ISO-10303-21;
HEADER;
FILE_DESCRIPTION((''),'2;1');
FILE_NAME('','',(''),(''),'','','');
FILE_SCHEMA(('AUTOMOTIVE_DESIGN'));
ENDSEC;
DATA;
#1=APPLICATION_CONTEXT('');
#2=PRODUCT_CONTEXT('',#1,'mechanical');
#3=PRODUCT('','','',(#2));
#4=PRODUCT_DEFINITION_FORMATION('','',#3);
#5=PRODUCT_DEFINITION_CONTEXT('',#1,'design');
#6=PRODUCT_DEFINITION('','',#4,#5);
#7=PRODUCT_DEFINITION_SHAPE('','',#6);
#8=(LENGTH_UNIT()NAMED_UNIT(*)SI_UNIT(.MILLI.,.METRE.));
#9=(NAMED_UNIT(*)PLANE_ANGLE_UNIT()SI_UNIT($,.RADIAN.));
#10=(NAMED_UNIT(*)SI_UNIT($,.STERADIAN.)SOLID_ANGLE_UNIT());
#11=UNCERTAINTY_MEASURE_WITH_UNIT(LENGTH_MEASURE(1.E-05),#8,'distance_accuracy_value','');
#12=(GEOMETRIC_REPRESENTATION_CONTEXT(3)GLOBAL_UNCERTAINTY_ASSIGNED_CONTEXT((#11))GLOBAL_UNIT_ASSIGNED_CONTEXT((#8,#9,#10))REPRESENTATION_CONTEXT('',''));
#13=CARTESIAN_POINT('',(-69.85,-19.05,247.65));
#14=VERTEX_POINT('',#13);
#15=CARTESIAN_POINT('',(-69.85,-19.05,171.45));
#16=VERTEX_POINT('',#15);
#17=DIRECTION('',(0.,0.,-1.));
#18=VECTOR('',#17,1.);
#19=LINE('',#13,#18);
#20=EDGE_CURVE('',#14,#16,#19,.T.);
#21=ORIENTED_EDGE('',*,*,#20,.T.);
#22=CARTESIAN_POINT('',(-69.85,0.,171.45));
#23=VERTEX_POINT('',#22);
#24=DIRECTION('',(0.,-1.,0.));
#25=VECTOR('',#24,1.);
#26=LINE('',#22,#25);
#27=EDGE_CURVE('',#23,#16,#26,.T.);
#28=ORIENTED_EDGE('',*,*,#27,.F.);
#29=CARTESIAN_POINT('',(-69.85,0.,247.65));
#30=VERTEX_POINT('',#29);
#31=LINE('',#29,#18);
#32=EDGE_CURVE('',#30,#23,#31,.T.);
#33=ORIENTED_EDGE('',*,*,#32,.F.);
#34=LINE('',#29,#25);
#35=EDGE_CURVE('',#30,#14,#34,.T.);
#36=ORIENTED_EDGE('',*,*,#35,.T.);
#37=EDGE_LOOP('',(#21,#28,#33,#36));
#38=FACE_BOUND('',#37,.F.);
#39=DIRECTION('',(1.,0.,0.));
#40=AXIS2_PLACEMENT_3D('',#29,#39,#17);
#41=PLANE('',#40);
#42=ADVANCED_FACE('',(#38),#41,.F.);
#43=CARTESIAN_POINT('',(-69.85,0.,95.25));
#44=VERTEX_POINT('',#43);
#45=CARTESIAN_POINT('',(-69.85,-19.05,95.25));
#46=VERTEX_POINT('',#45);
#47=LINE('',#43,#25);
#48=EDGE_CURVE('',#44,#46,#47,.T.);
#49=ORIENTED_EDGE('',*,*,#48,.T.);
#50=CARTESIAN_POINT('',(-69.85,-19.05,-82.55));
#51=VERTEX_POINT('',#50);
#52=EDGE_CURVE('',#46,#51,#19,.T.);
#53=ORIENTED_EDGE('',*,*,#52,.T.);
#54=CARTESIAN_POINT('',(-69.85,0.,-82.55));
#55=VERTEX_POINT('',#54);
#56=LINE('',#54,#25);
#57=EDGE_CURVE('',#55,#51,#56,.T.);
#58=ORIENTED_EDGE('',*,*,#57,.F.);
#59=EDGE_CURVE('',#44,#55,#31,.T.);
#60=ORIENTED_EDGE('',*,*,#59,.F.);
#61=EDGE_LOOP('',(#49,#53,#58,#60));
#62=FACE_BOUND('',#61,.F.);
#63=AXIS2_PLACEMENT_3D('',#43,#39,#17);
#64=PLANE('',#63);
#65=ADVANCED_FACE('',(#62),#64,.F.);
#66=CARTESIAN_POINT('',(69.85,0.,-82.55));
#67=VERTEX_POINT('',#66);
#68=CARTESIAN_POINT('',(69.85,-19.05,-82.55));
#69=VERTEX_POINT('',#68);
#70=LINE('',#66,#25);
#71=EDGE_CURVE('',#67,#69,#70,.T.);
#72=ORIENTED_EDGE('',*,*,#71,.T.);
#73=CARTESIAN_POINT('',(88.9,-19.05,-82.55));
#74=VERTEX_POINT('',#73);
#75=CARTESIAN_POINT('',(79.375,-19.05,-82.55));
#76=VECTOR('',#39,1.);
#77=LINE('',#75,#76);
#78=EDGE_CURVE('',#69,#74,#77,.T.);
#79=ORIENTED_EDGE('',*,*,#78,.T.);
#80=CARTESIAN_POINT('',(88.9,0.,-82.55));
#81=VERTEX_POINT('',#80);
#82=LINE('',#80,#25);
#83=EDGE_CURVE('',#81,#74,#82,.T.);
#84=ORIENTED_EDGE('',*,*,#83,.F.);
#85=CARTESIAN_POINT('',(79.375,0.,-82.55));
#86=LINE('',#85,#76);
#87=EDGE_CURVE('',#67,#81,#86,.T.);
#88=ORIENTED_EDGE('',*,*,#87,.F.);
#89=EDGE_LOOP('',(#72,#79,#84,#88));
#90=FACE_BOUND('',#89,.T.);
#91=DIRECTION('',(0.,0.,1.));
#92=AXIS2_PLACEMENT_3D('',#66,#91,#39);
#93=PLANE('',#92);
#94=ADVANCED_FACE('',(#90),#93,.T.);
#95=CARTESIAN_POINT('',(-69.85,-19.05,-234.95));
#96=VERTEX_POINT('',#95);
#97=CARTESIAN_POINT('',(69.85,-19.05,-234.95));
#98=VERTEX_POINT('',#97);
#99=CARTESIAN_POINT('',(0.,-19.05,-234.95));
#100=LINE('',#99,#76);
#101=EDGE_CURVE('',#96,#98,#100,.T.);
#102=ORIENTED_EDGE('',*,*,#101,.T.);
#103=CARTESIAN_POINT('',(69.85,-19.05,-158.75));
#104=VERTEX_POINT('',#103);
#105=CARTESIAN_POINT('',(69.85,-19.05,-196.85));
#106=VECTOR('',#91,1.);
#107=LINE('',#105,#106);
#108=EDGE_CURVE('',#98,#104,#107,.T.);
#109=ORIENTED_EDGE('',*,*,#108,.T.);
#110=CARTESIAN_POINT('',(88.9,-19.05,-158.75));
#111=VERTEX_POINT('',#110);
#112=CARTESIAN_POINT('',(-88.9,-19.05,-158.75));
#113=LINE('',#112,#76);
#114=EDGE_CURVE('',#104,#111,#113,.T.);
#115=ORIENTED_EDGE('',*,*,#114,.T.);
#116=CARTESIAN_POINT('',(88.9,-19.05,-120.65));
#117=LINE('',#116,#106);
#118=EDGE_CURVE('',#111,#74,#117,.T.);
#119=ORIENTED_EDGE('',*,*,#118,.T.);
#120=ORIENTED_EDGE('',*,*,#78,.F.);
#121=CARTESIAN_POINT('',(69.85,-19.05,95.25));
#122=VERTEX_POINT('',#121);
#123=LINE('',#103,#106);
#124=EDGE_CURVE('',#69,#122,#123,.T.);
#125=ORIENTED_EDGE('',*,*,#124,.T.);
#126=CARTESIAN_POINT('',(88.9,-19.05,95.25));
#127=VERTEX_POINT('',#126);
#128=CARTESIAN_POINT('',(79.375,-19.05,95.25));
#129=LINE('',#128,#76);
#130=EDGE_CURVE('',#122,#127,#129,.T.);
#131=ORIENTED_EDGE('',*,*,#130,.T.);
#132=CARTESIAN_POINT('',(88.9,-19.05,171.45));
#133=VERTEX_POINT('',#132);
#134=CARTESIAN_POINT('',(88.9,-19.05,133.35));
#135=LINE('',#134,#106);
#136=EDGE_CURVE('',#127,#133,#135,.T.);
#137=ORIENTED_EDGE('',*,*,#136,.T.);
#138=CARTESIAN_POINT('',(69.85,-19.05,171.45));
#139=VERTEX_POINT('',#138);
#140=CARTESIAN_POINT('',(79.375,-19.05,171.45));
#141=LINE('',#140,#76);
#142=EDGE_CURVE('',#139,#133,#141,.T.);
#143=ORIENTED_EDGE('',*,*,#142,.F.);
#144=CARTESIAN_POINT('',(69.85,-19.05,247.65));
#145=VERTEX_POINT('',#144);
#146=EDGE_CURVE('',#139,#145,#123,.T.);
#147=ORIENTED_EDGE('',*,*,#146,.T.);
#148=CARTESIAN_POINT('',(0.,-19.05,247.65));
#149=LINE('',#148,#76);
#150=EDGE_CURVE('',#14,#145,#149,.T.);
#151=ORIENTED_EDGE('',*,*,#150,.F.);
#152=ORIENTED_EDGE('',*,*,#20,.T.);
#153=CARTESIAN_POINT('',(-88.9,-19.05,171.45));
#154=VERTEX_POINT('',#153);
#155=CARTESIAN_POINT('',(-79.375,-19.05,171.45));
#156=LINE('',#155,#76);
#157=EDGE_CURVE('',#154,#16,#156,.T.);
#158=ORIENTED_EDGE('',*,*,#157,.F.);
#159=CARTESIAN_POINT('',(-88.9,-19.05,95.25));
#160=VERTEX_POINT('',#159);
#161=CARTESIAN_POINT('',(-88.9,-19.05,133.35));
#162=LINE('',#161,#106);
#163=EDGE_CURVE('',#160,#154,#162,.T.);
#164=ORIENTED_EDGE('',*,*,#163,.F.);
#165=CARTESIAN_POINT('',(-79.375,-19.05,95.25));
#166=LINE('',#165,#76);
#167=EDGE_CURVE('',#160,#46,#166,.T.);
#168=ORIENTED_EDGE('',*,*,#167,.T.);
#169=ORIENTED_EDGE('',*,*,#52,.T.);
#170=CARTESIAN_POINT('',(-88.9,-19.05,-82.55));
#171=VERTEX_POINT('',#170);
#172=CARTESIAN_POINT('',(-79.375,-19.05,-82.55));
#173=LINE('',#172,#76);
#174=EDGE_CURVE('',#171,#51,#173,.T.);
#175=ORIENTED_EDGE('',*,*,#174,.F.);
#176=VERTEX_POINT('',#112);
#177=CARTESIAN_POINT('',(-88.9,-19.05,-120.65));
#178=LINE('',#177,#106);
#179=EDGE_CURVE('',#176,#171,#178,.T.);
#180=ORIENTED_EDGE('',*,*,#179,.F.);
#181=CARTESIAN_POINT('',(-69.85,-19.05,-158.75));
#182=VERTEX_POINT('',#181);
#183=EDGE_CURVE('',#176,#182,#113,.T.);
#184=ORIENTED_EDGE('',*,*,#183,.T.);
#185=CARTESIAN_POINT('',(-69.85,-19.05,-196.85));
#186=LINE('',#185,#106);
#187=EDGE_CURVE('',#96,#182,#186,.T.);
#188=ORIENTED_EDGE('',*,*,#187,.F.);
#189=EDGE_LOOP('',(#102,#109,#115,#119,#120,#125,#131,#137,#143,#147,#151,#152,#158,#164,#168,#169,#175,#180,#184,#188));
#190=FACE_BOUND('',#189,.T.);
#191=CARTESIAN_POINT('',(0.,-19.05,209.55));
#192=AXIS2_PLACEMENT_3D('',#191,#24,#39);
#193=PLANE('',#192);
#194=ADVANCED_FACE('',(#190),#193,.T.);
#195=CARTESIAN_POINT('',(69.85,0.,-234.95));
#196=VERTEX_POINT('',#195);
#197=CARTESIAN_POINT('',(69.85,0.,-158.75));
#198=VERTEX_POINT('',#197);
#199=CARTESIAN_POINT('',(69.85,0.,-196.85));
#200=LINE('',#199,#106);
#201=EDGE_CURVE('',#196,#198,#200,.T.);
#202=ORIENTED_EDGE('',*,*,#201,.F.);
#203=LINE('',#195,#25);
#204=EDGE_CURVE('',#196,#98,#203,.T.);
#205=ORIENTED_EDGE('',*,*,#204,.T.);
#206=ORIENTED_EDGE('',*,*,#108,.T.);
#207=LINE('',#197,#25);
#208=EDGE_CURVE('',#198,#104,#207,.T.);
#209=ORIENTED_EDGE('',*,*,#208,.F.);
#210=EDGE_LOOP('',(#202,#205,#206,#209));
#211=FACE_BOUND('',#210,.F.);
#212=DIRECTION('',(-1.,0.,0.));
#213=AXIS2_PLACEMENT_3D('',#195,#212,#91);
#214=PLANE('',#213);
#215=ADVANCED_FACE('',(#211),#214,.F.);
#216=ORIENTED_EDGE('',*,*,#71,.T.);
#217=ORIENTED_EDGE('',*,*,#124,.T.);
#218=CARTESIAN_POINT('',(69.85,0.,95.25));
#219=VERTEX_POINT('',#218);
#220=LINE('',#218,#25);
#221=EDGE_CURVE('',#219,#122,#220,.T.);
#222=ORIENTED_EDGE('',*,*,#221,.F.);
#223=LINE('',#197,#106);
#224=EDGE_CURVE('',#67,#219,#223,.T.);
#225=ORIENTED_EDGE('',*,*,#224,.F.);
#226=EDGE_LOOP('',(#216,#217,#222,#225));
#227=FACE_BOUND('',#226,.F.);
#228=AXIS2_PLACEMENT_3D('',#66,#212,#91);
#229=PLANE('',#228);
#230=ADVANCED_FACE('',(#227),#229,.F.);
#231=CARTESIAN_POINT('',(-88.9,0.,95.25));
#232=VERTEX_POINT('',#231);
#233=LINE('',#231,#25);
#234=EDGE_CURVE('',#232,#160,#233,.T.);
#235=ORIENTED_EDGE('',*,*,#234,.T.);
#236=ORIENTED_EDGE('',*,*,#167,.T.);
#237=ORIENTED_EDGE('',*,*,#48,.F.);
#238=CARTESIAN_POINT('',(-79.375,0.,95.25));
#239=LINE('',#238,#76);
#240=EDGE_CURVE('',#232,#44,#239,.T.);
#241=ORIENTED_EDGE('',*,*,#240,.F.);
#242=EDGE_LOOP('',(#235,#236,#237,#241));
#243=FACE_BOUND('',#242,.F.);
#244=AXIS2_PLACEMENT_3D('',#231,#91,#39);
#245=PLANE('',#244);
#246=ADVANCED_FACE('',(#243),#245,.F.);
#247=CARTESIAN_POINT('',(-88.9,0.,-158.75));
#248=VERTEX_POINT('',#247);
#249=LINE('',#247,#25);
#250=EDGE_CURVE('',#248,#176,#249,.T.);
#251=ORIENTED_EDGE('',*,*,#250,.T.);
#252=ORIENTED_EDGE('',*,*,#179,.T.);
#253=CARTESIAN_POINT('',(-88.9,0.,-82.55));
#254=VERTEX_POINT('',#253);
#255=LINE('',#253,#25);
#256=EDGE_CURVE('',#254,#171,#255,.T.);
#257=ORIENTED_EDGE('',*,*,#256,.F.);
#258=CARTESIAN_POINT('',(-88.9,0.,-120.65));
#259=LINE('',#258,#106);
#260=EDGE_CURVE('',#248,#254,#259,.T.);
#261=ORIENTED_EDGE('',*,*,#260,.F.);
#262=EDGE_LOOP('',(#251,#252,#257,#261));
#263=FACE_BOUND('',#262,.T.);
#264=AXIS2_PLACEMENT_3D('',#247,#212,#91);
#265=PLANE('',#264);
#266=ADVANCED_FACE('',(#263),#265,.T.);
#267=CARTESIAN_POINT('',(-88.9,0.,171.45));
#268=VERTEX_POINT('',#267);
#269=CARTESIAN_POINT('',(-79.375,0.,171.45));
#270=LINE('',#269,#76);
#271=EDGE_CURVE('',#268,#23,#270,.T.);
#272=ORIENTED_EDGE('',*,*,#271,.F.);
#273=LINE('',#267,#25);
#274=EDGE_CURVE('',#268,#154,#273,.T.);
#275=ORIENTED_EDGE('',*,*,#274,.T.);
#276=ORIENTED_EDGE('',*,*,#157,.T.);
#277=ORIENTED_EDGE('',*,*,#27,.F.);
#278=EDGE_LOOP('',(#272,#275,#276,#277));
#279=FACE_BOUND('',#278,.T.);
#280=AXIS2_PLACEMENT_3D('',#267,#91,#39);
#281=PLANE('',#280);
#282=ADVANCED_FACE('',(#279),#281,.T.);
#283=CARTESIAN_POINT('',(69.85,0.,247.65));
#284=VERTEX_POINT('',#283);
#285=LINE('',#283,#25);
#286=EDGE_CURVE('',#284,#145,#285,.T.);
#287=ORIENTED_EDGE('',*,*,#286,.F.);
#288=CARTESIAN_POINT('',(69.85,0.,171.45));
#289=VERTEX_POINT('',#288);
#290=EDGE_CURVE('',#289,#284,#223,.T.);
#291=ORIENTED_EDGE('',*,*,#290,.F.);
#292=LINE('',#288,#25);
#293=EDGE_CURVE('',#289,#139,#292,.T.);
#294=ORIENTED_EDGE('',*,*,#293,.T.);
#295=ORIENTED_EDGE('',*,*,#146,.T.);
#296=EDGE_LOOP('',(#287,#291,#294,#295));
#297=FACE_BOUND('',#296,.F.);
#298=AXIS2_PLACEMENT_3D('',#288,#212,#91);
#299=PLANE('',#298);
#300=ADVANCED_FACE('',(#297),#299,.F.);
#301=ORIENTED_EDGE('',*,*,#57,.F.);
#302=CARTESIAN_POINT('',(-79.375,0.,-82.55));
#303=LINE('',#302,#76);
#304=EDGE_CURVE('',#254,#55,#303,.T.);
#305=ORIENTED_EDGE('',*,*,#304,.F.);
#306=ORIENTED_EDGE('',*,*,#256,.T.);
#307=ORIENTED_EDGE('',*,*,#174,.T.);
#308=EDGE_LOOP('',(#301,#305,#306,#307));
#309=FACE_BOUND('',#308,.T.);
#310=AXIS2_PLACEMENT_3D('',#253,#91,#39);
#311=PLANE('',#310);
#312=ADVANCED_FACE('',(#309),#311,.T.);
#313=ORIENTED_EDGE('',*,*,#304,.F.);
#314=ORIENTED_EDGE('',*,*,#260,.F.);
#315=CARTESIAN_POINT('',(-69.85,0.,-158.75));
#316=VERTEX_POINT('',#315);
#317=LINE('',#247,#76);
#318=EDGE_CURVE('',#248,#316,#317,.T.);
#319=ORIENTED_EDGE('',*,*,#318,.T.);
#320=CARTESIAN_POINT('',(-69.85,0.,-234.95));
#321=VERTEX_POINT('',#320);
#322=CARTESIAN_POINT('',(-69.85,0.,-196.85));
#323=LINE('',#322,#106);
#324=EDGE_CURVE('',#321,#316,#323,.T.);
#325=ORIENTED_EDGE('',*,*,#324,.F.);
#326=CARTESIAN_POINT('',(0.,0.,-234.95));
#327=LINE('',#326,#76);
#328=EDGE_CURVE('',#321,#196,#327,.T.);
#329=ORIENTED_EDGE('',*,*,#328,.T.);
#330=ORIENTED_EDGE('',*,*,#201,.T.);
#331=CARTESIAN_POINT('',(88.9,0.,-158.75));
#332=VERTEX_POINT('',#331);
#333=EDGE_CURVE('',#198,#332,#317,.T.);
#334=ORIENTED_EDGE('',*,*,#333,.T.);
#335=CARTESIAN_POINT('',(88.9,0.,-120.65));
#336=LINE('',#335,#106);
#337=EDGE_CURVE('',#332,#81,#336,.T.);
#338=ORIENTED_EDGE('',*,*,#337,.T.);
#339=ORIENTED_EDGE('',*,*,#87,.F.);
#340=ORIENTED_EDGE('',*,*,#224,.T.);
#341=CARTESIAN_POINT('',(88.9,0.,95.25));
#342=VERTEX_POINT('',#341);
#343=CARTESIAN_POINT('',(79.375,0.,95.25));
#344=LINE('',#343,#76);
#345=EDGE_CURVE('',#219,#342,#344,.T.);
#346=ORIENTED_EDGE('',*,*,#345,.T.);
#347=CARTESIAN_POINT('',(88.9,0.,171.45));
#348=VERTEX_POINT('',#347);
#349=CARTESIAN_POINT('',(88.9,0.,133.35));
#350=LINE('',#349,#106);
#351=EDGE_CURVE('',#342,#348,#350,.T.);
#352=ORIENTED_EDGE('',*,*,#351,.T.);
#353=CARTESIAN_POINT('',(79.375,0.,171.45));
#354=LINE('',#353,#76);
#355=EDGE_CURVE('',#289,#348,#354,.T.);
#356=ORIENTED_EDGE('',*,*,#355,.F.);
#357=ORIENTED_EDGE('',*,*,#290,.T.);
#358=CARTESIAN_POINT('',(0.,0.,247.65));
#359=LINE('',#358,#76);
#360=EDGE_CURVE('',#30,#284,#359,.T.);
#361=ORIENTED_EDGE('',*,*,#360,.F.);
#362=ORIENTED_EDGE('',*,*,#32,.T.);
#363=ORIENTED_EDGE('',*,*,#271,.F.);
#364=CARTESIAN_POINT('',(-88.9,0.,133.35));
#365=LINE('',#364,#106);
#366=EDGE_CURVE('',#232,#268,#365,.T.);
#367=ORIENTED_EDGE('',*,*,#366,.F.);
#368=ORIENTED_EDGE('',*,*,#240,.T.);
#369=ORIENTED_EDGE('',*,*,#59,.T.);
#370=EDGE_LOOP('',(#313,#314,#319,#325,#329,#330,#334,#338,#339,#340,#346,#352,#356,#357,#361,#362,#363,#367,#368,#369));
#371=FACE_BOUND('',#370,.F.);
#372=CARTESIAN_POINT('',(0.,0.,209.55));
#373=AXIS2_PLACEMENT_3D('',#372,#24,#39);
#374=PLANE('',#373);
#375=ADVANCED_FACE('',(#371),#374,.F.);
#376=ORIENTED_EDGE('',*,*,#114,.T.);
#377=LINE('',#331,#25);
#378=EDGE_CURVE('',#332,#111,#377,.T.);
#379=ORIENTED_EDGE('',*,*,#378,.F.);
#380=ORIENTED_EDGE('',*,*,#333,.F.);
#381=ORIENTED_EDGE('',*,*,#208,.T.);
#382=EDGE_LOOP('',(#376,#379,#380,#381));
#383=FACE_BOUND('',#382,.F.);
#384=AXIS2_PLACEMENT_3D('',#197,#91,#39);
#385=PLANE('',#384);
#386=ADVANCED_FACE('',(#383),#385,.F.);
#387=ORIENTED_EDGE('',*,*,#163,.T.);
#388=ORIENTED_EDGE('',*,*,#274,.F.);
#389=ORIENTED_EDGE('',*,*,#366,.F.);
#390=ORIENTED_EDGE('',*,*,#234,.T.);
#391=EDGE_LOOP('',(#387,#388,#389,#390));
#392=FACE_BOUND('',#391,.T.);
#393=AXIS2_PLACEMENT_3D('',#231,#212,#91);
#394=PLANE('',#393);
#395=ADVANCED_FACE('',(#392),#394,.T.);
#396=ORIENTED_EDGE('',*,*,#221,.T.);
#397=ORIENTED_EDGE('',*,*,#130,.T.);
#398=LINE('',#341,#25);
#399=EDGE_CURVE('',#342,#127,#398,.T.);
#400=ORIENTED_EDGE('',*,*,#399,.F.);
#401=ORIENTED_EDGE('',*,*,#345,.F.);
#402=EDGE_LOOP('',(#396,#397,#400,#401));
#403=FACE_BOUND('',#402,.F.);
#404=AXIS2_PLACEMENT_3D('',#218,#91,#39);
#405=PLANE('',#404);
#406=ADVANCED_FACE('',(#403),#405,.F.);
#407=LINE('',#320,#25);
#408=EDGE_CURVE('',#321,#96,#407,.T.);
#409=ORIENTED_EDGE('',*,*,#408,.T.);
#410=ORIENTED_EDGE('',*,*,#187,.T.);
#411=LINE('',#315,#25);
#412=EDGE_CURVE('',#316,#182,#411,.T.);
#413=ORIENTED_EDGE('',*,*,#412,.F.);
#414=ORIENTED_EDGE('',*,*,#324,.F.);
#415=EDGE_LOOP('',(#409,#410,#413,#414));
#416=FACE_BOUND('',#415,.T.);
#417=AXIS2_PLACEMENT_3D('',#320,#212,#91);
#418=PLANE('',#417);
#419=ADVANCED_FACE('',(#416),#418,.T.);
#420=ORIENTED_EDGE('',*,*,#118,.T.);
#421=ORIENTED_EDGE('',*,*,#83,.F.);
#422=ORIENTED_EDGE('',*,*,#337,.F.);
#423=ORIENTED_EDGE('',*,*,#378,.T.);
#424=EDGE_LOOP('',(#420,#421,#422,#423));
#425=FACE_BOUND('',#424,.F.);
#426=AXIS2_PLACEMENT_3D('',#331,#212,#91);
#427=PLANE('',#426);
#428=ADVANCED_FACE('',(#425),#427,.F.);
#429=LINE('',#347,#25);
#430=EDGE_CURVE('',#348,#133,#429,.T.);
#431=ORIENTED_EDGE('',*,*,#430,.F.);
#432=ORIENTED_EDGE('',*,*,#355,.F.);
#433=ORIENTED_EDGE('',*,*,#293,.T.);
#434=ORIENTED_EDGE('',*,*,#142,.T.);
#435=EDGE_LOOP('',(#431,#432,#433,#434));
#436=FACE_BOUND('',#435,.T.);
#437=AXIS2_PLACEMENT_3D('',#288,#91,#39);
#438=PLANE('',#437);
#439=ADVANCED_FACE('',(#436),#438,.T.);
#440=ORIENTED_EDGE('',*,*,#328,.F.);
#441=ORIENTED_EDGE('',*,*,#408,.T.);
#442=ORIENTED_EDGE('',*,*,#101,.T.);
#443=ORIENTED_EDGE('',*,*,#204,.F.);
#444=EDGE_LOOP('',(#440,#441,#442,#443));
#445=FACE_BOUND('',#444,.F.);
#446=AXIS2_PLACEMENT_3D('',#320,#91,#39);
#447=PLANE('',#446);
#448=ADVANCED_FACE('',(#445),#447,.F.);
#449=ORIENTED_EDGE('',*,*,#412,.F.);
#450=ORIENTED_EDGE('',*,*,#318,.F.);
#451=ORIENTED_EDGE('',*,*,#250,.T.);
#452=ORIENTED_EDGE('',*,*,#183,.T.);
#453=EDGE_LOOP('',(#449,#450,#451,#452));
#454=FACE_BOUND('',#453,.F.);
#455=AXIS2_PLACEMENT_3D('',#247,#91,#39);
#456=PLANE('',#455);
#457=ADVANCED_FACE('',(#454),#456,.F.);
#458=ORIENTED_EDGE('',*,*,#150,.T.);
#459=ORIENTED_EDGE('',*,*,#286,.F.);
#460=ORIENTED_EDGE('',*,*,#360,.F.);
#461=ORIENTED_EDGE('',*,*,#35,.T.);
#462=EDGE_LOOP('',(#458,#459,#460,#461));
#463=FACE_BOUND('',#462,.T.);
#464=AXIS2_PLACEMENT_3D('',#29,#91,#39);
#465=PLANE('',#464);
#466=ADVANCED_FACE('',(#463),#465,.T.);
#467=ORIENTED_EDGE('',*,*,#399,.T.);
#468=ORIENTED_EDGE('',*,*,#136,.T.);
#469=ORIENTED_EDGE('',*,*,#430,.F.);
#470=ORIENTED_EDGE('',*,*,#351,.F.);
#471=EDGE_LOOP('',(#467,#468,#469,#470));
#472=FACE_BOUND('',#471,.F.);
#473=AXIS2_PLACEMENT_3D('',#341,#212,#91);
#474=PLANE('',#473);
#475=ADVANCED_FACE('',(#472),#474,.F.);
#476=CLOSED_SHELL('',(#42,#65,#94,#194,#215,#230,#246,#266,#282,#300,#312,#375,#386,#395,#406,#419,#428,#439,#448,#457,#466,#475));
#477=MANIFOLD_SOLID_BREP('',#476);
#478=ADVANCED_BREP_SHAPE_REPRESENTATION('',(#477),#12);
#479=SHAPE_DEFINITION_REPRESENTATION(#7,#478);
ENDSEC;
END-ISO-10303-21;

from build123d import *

# Parameters (mm, degrees)
F0_W     = 139.7
F0_H     = 76.2
F0_W_2   = 19.05
F1_DEPTH = 19.05


with BuildPart() as f1:
    # F0 (on Front) → F1 (new body)
    with BuildSketch(Plane.XZ):
        with Locations((0, 209.55)):
            Rectangle(F0_W, F0_H)
        Polygon((69.85, 171.45), (-69.85, 171.45), (-69.85, 95.25), (-69.85, -82.55), (-69.85, -158.75), (69.85, -158.75), (69.85, -82.55), (69.85, 95.25), align=None)
        with Locations((-79.375, 133.35)):
            Rectangle(F0_W_2, F0_H)
        with Locations((79.375, 133.35)):
            Rectangle(F0_W_2, F0_H)
        with Locations((-79.375, -120.65)):
            Rectangle(F0_W_2, F0_H)
        with Locations((79.375, -120.65)):
            Rectangle(F0_W_2, F0_H)
        with Locations((0, -196.85)):
            Rectangle(F0_W, F0_H)
    extrude(amount=F1_DEPTH)


solid = f1.part
